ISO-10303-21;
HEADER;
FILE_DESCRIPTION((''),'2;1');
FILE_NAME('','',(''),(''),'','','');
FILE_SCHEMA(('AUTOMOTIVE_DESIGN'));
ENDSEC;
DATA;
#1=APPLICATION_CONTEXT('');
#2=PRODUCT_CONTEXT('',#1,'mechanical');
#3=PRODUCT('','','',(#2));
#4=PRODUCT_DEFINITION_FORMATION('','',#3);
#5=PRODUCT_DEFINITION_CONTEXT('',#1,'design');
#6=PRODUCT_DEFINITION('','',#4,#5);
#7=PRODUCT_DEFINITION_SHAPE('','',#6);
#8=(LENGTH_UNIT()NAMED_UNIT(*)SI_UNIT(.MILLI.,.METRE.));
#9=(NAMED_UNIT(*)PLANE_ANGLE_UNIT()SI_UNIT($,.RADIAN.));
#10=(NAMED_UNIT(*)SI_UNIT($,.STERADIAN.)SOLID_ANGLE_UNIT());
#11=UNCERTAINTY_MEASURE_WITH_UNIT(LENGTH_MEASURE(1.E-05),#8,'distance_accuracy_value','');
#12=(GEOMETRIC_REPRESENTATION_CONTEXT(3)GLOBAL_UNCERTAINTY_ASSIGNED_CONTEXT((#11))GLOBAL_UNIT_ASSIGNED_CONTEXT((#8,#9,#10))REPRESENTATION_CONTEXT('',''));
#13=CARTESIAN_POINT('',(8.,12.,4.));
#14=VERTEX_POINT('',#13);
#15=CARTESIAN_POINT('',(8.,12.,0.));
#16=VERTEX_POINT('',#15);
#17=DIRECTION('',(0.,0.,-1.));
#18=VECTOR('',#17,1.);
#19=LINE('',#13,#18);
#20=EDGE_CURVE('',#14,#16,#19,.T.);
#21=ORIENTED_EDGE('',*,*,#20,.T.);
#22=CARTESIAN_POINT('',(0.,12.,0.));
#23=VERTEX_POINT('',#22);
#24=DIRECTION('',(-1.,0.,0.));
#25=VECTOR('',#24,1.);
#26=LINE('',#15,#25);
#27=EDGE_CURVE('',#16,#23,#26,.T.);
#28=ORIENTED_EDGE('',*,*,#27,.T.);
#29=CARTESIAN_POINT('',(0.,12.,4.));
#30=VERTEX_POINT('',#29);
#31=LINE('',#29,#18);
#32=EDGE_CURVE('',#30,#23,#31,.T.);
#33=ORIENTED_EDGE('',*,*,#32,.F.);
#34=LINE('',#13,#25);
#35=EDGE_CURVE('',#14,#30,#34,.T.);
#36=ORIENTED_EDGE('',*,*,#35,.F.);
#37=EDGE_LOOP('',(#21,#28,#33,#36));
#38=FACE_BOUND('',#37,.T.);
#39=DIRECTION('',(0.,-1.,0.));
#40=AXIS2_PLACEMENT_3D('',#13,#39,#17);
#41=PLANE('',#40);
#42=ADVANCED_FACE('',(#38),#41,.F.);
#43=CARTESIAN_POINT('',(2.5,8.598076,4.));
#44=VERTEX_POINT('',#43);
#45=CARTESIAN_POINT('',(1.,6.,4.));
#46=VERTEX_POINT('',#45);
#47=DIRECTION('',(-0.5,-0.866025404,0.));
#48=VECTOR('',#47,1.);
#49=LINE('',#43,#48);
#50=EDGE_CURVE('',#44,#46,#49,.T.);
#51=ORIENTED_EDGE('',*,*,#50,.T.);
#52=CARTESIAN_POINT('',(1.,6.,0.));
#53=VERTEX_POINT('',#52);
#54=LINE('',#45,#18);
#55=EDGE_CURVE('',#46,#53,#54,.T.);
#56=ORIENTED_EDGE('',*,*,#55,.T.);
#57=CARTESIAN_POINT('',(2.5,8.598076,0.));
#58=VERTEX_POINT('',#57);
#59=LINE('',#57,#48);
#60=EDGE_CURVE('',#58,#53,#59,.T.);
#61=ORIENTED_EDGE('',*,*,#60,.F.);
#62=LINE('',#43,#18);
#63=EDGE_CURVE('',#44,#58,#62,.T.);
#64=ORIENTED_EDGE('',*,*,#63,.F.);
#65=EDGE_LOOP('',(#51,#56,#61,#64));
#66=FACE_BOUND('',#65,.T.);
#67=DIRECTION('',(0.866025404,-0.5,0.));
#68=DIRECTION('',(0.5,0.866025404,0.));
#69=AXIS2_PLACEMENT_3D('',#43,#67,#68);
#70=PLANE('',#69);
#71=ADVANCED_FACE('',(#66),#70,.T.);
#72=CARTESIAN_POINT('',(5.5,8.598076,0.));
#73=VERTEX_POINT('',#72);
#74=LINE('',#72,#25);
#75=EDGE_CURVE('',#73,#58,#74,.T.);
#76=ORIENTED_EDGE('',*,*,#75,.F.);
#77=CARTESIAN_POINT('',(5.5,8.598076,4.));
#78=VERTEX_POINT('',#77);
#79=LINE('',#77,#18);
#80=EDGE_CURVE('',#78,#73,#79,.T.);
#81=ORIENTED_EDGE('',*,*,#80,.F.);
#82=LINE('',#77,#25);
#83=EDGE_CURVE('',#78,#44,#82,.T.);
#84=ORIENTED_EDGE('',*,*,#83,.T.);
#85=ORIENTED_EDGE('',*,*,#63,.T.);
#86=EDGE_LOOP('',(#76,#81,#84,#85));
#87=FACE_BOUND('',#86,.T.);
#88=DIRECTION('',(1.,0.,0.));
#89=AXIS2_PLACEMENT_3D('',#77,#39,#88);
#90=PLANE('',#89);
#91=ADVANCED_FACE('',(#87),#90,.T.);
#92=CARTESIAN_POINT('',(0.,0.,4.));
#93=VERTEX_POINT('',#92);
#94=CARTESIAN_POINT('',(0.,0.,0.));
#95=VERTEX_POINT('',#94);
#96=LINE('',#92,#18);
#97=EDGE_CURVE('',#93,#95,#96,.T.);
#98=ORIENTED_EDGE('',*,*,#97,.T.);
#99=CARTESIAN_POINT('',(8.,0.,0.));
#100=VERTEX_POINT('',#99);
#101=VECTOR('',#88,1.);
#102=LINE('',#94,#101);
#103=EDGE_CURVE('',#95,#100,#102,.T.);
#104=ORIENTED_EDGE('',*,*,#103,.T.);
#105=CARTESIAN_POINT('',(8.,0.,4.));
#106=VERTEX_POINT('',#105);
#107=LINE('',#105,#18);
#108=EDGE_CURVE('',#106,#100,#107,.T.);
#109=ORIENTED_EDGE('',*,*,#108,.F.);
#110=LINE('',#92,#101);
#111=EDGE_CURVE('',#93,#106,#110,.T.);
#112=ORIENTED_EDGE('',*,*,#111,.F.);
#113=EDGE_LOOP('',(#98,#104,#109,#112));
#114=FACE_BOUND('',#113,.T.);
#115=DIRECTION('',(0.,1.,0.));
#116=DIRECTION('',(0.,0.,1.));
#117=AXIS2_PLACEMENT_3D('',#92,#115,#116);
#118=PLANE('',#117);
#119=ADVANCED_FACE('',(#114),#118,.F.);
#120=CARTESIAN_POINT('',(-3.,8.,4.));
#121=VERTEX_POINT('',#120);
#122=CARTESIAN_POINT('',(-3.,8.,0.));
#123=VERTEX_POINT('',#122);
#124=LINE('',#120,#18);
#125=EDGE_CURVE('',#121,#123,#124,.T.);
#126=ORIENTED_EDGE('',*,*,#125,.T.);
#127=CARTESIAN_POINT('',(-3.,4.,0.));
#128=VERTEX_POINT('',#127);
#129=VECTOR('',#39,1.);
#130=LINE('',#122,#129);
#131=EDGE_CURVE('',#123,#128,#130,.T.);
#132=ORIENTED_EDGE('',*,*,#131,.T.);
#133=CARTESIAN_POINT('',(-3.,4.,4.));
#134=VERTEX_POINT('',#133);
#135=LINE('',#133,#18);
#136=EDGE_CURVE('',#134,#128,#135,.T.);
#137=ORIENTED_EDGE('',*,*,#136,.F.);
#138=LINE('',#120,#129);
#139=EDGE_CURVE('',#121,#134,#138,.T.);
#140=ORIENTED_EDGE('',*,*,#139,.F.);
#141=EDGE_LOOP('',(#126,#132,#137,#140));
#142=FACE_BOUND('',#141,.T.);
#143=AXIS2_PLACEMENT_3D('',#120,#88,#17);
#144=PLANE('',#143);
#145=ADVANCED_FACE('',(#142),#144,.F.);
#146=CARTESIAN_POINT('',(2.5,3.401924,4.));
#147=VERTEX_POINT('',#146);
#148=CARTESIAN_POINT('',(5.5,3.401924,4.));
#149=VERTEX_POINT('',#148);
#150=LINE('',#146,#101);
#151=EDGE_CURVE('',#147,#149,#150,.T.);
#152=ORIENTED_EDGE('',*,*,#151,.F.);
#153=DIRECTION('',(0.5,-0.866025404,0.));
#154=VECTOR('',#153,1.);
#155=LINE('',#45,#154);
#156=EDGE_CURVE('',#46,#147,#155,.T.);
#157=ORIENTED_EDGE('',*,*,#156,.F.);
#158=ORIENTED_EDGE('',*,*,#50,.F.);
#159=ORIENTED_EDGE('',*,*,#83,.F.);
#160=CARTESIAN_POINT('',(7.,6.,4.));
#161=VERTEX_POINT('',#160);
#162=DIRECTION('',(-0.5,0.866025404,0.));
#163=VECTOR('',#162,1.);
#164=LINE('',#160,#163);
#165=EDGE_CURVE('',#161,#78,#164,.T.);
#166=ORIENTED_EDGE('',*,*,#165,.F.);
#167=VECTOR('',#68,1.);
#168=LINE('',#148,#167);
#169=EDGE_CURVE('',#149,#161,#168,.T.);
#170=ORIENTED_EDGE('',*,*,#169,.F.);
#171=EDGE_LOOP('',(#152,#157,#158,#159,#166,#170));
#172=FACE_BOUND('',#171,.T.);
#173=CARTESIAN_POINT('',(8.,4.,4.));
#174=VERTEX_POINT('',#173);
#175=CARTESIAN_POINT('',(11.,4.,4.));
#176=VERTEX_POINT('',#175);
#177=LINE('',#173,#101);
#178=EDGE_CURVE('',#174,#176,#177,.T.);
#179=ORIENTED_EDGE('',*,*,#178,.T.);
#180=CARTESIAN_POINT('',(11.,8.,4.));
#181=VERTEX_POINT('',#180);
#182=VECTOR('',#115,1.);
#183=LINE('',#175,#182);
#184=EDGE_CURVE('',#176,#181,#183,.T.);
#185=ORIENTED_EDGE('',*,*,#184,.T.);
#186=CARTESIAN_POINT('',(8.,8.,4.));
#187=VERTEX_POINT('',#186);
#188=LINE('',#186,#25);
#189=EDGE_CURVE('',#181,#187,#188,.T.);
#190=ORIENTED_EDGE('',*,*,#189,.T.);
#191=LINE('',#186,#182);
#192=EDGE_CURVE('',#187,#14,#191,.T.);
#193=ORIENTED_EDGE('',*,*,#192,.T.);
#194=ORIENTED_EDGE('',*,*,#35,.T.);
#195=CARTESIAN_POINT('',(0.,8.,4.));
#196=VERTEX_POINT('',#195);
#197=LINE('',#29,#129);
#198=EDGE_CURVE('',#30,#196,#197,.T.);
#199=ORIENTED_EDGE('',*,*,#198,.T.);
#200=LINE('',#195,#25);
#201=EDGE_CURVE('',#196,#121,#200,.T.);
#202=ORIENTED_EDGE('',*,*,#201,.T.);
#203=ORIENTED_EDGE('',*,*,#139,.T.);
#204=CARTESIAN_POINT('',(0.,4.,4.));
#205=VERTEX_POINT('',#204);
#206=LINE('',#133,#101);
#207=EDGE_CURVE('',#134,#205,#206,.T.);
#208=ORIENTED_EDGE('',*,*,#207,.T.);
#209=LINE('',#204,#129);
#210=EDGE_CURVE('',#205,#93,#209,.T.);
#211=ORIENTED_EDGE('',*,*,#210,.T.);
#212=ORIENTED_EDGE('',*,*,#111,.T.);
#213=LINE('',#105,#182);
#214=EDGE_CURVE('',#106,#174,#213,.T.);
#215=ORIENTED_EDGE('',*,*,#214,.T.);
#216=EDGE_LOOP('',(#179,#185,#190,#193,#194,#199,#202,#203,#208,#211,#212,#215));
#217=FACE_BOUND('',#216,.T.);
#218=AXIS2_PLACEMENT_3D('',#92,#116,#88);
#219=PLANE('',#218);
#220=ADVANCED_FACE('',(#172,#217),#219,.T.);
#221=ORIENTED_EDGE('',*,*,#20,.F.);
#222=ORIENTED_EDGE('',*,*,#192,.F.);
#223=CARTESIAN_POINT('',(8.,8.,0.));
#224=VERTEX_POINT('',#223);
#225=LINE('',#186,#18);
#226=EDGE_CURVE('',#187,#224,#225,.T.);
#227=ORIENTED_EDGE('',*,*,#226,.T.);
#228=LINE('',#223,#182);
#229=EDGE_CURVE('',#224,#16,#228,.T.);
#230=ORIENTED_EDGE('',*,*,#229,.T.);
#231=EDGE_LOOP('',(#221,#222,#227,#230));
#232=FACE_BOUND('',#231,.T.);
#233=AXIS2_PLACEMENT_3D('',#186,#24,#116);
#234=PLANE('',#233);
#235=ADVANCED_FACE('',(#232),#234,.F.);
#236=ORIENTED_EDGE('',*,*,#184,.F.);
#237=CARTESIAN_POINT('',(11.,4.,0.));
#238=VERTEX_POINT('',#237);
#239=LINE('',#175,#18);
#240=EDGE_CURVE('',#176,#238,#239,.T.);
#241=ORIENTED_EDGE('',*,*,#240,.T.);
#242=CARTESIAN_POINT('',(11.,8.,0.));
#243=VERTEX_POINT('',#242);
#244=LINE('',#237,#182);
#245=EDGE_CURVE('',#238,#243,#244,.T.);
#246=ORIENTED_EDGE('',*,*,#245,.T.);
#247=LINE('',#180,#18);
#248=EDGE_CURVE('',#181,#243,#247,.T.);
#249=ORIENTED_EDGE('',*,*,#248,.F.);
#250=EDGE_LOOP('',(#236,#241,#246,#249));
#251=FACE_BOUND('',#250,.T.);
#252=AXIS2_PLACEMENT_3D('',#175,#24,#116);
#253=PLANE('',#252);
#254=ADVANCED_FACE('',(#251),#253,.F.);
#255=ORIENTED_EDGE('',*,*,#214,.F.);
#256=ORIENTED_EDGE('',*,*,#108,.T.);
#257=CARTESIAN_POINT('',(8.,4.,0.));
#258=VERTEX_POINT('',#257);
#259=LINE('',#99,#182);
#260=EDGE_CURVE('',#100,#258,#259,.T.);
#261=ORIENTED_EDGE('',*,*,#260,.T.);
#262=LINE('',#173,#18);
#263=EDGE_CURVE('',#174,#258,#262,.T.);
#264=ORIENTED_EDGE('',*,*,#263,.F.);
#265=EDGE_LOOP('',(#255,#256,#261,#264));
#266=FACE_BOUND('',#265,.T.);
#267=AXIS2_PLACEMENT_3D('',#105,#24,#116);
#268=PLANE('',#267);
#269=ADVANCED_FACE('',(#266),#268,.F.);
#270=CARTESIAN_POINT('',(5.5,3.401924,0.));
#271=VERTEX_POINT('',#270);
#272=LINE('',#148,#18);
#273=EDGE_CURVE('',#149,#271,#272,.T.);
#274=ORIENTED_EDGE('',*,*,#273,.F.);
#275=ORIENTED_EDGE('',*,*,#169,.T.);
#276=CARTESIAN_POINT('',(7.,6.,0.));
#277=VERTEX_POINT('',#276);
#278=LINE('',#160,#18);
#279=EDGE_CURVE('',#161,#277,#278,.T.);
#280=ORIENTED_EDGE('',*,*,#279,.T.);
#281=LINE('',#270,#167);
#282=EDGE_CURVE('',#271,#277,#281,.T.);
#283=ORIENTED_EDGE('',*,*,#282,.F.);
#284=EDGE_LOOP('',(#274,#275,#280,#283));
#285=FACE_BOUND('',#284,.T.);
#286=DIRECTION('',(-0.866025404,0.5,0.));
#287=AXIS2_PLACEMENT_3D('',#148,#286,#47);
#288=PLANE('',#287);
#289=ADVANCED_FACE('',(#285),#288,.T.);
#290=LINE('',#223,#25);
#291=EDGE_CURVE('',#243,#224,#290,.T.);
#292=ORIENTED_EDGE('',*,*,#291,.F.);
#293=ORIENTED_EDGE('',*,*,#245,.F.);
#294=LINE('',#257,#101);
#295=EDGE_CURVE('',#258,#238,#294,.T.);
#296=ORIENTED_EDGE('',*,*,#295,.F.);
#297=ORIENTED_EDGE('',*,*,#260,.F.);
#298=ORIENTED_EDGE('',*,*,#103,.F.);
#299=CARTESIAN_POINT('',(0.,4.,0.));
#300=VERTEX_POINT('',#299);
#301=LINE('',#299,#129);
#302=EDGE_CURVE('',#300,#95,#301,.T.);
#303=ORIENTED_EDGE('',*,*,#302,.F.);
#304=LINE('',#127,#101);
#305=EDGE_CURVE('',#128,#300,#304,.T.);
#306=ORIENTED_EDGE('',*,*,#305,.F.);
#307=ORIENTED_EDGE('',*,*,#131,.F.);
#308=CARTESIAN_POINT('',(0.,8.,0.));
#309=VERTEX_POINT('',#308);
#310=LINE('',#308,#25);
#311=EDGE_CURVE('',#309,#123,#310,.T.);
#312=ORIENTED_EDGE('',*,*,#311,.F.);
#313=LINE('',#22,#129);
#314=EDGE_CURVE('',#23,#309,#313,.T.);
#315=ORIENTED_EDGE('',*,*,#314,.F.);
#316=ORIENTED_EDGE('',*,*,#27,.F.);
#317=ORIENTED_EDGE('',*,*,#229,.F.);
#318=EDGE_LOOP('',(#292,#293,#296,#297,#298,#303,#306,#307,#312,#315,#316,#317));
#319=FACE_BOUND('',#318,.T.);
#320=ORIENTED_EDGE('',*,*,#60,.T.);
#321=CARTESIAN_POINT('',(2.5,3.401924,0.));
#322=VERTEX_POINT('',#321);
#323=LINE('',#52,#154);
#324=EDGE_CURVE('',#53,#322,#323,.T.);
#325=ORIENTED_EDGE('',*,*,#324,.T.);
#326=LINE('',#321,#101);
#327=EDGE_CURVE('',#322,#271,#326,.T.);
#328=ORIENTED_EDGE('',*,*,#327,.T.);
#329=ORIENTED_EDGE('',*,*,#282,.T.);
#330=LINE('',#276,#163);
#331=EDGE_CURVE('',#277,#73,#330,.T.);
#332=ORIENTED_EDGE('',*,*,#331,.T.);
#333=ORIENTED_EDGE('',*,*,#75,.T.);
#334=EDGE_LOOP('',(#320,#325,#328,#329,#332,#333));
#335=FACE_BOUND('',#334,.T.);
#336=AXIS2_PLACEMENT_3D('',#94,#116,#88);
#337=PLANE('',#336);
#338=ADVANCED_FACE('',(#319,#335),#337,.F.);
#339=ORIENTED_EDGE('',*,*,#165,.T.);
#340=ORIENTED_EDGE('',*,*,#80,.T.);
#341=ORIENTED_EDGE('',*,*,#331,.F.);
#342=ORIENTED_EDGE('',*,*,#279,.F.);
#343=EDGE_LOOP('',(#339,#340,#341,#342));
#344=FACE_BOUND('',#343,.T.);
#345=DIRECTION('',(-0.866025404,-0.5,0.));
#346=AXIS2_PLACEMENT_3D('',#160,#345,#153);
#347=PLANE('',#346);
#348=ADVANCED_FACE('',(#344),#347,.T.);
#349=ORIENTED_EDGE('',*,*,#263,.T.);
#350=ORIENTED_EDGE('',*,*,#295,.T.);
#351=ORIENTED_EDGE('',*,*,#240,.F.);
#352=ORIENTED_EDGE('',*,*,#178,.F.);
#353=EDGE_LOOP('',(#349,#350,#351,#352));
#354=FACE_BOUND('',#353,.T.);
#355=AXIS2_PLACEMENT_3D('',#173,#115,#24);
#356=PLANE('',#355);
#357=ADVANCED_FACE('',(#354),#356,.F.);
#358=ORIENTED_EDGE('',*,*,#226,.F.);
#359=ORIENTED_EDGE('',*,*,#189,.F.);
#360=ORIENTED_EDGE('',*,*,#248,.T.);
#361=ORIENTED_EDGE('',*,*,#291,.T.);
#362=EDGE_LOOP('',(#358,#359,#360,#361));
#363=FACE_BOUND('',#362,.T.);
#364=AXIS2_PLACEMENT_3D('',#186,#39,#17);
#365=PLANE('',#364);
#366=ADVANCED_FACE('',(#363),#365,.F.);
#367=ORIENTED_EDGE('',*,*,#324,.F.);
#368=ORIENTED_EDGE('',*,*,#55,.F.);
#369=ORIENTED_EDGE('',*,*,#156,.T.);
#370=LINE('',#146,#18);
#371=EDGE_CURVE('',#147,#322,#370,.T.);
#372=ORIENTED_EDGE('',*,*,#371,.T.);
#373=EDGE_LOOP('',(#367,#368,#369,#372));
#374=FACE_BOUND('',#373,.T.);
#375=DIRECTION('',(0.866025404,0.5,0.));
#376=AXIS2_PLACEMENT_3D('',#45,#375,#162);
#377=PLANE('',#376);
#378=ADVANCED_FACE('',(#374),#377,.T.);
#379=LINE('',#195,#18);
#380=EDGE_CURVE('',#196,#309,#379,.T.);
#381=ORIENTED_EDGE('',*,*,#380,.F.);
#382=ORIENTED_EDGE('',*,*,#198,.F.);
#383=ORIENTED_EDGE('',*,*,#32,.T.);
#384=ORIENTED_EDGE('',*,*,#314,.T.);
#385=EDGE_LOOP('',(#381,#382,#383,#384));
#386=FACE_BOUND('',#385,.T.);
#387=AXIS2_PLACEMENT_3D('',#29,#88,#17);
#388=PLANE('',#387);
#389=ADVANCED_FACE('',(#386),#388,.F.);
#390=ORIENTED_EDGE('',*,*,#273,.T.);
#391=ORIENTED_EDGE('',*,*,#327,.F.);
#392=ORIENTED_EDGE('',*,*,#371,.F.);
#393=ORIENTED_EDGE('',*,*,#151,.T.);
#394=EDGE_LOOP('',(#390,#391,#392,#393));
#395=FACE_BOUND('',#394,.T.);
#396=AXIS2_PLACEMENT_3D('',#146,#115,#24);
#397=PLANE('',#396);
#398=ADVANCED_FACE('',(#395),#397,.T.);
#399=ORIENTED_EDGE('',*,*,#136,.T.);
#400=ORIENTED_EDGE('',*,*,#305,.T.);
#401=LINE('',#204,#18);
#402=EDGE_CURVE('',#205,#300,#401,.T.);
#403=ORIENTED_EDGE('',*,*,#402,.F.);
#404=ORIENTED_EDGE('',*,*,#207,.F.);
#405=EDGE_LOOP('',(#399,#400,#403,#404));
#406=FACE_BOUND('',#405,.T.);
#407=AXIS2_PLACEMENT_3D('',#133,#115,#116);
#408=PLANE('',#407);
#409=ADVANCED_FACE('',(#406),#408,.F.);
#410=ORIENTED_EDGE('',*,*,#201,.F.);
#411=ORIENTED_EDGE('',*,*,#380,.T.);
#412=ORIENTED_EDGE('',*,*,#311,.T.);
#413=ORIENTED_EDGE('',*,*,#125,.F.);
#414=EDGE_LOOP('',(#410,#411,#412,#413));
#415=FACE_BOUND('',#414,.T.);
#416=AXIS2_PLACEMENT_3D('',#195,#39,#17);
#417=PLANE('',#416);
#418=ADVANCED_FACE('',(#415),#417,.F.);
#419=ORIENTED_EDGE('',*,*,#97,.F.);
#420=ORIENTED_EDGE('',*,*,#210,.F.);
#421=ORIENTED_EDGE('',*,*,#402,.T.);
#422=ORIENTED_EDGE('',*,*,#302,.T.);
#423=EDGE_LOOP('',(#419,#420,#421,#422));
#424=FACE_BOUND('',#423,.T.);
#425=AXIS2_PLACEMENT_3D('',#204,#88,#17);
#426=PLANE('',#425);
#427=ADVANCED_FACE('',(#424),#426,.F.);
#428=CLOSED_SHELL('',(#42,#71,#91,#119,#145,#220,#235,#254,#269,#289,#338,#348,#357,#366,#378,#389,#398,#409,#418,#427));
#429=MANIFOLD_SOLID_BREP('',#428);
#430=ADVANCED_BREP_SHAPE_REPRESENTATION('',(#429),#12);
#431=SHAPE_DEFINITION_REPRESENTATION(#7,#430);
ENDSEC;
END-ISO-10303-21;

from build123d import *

# Parameters (mm, degrees)
BOSS_EXTRUDE1_DEPTH = 4


with BuildPart() as part:
    # Sketch1 → Boss-Extrude1 (new body)
    with BuildSketch(Plane.XY):
        Polygon((0, 0), (8, 0), (8, 4), (11, 4), (11, 8), (8, 8), (8, 12), (0, 12), (0, 8), (-3, 8), (-3, 4), (0, 4), align=None)
        Polygon((7, 6), (5.5, 8.598076211), (2.5, 8.598076211), (1, 6), (2.5, 3.401923789), (5.5, 3.401923789), align=None, mode=Mode.SUBTRACT)
    extrude(amount=BOSS_EXTRUDE1_DEPTH)


solid = part.part
